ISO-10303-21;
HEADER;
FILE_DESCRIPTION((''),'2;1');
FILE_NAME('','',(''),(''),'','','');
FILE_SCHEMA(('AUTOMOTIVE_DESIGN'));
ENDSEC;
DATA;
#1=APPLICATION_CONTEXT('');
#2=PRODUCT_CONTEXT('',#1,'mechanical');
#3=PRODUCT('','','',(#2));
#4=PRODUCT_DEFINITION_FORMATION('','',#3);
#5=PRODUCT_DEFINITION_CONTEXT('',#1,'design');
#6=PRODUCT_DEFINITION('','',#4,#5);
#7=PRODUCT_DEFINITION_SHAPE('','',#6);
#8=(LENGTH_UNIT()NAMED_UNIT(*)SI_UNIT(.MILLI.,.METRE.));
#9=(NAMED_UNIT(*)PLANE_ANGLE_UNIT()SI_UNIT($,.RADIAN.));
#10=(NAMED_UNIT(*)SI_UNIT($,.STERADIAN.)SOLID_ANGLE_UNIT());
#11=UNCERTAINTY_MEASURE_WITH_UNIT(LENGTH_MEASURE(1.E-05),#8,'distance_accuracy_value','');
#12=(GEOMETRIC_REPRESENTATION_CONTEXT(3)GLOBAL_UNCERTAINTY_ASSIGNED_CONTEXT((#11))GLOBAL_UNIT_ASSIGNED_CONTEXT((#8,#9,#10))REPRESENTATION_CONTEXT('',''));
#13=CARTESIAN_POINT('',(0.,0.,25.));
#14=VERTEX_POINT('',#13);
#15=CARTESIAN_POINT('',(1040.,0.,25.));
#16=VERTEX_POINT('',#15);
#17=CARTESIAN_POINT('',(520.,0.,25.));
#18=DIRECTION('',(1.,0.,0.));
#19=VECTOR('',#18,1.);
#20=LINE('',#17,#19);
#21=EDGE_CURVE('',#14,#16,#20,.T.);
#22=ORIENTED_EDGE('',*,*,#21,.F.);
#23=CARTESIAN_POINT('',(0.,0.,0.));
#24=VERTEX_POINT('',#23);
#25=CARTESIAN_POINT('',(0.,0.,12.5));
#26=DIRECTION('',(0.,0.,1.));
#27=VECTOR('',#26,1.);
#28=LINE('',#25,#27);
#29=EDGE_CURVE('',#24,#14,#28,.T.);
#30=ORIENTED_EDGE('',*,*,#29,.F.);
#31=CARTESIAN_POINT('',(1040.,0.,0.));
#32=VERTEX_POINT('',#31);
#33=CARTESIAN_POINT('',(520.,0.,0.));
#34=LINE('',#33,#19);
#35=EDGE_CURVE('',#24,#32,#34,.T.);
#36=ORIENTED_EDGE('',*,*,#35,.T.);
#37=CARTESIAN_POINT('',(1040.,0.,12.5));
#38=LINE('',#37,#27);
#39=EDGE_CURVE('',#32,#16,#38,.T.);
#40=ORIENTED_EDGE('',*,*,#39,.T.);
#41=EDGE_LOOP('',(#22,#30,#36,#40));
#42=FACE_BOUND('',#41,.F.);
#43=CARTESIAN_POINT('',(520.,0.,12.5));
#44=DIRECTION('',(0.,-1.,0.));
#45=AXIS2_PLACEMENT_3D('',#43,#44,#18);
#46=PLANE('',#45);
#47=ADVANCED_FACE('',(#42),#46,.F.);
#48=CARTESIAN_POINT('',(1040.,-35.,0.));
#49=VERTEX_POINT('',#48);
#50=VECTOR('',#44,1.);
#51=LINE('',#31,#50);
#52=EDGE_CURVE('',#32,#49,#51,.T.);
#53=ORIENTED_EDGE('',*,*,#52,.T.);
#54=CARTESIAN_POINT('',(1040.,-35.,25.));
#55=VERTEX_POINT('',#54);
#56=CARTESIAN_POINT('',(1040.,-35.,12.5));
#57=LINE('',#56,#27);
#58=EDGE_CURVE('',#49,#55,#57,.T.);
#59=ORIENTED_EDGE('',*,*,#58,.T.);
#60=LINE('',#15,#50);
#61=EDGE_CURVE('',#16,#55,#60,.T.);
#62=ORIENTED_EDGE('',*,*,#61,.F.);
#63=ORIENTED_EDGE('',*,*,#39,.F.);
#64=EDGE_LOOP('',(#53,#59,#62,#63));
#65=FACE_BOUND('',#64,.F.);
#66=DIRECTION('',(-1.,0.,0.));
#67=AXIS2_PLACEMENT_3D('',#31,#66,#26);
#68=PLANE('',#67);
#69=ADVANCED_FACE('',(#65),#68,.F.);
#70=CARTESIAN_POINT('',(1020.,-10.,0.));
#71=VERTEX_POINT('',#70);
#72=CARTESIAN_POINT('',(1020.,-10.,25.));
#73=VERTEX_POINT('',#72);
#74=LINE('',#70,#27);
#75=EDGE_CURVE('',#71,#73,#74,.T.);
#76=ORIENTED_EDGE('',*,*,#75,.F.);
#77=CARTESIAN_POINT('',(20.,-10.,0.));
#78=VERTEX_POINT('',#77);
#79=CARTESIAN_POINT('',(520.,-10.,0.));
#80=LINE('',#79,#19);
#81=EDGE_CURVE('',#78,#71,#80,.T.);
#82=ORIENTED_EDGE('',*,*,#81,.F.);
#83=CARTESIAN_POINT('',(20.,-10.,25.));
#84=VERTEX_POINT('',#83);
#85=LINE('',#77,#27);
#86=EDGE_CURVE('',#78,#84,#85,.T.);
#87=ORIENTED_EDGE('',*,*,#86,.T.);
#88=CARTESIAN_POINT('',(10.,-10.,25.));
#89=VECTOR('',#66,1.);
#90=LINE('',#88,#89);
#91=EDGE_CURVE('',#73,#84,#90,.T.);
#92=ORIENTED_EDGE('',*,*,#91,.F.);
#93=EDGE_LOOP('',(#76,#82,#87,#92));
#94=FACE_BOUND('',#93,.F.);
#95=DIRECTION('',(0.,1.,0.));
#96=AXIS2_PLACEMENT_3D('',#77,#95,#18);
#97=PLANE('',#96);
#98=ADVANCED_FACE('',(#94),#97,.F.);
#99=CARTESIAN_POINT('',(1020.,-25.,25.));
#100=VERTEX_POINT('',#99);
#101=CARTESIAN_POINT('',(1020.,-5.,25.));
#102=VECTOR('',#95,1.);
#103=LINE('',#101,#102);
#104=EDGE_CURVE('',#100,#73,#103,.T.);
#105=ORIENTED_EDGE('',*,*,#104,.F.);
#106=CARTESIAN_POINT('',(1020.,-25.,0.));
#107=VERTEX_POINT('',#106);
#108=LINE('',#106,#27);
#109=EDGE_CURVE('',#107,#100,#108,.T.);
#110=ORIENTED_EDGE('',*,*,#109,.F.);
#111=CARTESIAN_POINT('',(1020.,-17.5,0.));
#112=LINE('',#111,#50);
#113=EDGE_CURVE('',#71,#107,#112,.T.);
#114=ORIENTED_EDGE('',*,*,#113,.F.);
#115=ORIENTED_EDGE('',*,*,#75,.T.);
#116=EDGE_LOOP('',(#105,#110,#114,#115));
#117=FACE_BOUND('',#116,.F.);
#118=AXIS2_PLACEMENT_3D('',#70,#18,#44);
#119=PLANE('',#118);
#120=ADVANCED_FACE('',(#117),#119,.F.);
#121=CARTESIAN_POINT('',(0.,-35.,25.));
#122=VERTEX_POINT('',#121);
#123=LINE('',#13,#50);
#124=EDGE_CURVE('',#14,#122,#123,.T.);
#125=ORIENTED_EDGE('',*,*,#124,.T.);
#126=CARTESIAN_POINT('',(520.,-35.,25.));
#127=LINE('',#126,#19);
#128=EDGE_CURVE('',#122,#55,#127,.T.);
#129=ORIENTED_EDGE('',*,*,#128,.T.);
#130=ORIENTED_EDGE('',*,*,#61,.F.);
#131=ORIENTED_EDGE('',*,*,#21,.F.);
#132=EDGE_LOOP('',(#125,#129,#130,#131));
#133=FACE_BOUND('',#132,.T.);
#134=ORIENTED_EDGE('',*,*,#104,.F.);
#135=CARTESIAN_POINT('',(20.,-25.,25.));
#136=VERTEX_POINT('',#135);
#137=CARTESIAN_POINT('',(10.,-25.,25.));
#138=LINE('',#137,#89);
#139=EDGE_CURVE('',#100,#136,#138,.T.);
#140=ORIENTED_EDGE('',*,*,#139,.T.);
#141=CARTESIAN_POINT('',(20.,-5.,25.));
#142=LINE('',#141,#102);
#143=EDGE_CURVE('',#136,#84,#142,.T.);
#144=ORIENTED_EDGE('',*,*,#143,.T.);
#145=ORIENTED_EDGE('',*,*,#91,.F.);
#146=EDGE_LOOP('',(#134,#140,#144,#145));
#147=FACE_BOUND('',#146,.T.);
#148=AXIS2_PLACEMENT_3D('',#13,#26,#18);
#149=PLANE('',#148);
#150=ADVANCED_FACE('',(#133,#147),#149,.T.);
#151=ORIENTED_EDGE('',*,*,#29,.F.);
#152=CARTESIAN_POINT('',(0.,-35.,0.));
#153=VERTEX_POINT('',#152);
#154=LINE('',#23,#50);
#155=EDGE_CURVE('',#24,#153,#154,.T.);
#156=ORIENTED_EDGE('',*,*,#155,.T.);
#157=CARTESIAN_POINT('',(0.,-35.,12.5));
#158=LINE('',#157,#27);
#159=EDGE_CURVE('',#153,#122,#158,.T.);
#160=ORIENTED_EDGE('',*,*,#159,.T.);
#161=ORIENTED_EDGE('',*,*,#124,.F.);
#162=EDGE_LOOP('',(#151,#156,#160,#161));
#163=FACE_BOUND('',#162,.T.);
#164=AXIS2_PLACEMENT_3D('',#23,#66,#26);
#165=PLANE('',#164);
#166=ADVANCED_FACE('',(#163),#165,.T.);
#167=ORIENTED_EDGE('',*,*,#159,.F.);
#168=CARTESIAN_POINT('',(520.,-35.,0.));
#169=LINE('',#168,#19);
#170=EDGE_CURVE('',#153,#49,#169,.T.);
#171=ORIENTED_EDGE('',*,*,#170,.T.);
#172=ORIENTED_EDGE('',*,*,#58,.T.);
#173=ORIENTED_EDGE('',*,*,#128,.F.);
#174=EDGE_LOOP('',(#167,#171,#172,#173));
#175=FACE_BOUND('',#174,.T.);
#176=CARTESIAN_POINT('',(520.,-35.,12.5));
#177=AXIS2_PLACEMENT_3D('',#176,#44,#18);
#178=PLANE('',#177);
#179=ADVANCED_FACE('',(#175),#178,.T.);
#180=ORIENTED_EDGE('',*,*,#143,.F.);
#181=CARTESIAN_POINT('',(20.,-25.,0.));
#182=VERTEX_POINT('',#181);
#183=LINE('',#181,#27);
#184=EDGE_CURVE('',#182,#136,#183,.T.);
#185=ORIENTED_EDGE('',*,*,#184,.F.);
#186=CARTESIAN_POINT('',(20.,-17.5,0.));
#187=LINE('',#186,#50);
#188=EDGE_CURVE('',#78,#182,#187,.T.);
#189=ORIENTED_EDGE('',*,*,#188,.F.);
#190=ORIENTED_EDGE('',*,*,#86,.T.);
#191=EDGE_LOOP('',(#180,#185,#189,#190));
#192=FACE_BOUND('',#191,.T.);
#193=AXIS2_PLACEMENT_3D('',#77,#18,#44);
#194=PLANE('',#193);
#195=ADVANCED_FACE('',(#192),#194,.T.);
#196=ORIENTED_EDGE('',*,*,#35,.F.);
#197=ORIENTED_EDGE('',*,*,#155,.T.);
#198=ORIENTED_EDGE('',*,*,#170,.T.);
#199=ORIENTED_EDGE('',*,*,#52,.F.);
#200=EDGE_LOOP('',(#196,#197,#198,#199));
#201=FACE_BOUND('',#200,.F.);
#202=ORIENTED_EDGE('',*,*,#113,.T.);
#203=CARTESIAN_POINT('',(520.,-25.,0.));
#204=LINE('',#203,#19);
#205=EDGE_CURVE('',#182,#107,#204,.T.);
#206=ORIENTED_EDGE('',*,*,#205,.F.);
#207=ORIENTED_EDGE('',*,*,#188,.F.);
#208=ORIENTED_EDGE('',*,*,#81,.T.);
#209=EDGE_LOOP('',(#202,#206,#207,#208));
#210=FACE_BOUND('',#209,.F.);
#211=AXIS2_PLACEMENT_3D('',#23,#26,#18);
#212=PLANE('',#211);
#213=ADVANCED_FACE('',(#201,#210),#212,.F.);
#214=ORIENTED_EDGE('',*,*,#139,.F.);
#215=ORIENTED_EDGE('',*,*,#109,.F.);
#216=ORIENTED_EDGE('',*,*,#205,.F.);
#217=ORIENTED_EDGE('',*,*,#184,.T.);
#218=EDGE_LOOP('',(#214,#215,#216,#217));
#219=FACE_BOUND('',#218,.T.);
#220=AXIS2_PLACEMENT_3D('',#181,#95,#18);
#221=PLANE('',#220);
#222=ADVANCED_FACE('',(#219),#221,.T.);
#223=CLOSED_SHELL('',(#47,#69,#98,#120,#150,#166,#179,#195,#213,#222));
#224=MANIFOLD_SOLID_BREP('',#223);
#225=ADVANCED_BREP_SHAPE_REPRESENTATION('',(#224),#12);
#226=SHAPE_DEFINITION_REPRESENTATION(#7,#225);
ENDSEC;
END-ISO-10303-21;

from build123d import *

# Parameters (mm, degrees)
F0_W     = 1040
F0_H     = 25
F1_DEPTH = 35
F2_W     = 1000
F2_H     = 15
F3_DEPTH = 25.001


with BuildPart() as f1:
    # F0 (on Front) → F1 (new body)
    with BuildSketch(Plane.XZ):
        with Locations((520, 12.5)):
            Rectangle(F0_W, F0_H)
    extrude(amount=F1_DEPTH)

    # F2 (on face) → F3 (cut, through all)
    with BuildSketch(Plane(origin=(0, 0, 0), x_dir=(1, 0, 0), z_dir=(0, 0, -1))):
        with Locations((520, 17.5)):
            Rectangle(F2_W, F2_H)
    extrude(amount=-F3_DEPTH, mode=Mode.SUBTRACT)


solid = f1.part
